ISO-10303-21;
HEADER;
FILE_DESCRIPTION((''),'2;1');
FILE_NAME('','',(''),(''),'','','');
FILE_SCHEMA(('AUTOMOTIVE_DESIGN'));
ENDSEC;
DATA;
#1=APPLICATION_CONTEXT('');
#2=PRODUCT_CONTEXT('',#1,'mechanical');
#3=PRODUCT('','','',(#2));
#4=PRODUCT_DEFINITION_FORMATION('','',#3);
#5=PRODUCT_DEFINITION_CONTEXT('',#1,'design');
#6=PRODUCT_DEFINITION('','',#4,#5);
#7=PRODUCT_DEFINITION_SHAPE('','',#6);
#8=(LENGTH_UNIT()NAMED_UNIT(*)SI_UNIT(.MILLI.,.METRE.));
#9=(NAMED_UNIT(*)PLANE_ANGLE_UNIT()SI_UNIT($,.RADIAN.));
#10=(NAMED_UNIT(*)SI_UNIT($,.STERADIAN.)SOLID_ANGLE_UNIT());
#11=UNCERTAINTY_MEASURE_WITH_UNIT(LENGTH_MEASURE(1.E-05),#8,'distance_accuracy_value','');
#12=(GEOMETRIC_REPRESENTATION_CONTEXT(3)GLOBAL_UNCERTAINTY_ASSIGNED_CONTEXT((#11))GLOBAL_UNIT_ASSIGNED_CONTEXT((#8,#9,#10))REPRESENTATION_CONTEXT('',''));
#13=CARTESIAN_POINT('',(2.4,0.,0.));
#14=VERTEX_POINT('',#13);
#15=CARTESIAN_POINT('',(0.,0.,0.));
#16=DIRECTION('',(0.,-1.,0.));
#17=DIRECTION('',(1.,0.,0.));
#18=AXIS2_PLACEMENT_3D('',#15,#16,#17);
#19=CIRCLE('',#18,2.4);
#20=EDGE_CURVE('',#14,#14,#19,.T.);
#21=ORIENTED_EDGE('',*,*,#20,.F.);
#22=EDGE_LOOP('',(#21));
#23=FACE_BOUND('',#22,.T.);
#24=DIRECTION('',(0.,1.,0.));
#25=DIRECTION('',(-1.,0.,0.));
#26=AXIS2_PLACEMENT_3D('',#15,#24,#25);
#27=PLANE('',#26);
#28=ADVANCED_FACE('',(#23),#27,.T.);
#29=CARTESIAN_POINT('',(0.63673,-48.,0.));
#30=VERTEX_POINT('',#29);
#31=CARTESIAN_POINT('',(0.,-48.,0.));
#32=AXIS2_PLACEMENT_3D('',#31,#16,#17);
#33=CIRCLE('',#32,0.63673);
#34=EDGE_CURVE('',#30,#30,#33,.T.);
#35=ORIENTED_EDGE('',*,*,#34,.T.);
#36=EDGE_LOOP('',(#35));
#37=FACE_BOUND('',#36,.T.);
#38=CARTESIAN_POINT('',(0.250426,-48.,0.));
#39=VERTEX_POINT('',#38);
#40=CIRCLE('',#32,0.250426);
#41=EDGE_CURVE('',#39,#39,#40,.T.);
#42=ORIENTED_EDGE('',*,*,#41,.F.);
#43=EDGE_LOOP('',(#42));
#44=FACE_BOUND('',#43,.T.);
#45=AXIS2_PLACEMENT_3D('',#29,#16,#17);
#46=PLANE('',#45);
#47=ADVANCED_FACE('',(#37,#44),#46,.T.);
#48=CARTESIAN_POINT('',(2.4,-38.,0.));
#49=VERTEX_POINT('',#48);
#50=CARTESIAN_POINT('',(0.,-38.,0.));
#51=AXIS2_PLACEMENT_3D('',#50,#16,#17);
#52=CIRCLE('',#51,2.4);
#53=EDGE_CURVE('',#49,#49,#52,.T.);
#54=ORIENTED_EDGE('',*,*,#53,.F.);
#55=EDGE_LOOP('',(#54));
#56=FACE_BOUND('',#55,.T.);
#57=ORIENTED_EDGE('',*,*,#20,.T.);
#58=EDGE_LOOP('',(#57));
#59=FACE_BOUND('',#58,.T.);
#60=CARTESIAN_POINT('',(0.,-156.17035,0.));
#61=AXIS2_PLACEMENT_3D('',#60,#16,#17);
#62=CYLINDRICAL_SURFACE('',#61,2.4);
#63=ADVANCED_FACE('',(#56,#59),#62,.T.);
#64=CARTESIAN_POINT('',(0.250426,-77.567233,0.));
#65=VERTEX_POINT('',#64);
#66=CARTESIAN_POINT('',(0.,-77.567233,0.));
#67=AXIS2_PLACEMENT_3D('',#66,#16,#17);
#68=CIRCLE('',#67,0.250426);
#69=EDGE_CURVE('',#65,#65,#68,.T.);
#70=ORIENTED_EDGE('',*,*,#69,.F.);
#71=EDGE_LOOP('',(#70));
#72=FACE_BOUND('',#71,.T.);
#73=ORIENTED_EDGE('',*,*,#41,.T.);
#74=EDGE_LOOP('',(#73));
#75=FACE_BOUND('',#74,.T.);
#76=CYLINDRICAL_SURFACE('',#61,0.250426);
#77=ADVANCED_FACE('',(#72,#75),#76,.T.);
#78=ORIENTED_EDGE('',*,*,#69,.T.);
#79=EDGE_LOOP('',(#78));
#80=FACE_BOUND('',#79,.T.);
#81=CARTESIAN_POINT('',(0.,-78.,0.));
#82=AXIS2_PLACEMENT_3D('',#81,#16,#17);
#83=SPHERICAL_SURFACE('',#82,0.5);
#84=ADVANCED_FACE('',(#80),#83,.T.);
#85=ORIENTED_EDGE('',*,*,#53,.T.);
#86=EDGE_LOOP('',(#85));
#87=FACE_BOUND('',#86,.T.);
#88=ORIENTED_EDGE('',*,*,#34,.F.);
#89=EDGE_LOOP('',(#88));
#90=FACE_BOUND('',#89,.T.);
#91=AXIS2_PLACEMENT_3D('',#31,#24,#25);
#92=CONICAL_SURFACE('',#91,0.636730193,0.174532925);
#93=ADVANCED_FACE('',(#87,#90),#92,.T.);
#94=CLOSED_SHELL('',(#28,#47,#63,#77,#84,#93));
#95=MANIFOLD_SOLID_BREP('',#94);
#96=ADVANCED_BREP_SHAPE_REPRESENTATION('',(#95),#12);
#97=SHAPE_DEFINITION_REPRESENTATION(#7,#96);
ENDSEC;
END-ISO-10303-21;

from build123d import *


with BuildPart() as part:
    # Sketch1 → Revolve1 (revolve)
    with BuildSketch(Plane.XY):
        with BuildLine():
            Line((0, 0), (2.4, 0))
            Line((2.4, 0), (2.4, -38))
            Line((2.4, -38), (0.636730193, -48))
            Line((0.636730193, -48), (0.250425685, -48))
            Line((0.250425685, -48), (0.250425685, -77.567233346))
            ThreePointArc((0.250425685, -77.567233346), (0.482899227, -78.129646969), (0, -78.5))
            Line((0, -78.5), (0, 0))
        make_face()
    revolve(axis=Axis((0, -156.170349764, 0), (0, 1, 0)))


solid = part.part
